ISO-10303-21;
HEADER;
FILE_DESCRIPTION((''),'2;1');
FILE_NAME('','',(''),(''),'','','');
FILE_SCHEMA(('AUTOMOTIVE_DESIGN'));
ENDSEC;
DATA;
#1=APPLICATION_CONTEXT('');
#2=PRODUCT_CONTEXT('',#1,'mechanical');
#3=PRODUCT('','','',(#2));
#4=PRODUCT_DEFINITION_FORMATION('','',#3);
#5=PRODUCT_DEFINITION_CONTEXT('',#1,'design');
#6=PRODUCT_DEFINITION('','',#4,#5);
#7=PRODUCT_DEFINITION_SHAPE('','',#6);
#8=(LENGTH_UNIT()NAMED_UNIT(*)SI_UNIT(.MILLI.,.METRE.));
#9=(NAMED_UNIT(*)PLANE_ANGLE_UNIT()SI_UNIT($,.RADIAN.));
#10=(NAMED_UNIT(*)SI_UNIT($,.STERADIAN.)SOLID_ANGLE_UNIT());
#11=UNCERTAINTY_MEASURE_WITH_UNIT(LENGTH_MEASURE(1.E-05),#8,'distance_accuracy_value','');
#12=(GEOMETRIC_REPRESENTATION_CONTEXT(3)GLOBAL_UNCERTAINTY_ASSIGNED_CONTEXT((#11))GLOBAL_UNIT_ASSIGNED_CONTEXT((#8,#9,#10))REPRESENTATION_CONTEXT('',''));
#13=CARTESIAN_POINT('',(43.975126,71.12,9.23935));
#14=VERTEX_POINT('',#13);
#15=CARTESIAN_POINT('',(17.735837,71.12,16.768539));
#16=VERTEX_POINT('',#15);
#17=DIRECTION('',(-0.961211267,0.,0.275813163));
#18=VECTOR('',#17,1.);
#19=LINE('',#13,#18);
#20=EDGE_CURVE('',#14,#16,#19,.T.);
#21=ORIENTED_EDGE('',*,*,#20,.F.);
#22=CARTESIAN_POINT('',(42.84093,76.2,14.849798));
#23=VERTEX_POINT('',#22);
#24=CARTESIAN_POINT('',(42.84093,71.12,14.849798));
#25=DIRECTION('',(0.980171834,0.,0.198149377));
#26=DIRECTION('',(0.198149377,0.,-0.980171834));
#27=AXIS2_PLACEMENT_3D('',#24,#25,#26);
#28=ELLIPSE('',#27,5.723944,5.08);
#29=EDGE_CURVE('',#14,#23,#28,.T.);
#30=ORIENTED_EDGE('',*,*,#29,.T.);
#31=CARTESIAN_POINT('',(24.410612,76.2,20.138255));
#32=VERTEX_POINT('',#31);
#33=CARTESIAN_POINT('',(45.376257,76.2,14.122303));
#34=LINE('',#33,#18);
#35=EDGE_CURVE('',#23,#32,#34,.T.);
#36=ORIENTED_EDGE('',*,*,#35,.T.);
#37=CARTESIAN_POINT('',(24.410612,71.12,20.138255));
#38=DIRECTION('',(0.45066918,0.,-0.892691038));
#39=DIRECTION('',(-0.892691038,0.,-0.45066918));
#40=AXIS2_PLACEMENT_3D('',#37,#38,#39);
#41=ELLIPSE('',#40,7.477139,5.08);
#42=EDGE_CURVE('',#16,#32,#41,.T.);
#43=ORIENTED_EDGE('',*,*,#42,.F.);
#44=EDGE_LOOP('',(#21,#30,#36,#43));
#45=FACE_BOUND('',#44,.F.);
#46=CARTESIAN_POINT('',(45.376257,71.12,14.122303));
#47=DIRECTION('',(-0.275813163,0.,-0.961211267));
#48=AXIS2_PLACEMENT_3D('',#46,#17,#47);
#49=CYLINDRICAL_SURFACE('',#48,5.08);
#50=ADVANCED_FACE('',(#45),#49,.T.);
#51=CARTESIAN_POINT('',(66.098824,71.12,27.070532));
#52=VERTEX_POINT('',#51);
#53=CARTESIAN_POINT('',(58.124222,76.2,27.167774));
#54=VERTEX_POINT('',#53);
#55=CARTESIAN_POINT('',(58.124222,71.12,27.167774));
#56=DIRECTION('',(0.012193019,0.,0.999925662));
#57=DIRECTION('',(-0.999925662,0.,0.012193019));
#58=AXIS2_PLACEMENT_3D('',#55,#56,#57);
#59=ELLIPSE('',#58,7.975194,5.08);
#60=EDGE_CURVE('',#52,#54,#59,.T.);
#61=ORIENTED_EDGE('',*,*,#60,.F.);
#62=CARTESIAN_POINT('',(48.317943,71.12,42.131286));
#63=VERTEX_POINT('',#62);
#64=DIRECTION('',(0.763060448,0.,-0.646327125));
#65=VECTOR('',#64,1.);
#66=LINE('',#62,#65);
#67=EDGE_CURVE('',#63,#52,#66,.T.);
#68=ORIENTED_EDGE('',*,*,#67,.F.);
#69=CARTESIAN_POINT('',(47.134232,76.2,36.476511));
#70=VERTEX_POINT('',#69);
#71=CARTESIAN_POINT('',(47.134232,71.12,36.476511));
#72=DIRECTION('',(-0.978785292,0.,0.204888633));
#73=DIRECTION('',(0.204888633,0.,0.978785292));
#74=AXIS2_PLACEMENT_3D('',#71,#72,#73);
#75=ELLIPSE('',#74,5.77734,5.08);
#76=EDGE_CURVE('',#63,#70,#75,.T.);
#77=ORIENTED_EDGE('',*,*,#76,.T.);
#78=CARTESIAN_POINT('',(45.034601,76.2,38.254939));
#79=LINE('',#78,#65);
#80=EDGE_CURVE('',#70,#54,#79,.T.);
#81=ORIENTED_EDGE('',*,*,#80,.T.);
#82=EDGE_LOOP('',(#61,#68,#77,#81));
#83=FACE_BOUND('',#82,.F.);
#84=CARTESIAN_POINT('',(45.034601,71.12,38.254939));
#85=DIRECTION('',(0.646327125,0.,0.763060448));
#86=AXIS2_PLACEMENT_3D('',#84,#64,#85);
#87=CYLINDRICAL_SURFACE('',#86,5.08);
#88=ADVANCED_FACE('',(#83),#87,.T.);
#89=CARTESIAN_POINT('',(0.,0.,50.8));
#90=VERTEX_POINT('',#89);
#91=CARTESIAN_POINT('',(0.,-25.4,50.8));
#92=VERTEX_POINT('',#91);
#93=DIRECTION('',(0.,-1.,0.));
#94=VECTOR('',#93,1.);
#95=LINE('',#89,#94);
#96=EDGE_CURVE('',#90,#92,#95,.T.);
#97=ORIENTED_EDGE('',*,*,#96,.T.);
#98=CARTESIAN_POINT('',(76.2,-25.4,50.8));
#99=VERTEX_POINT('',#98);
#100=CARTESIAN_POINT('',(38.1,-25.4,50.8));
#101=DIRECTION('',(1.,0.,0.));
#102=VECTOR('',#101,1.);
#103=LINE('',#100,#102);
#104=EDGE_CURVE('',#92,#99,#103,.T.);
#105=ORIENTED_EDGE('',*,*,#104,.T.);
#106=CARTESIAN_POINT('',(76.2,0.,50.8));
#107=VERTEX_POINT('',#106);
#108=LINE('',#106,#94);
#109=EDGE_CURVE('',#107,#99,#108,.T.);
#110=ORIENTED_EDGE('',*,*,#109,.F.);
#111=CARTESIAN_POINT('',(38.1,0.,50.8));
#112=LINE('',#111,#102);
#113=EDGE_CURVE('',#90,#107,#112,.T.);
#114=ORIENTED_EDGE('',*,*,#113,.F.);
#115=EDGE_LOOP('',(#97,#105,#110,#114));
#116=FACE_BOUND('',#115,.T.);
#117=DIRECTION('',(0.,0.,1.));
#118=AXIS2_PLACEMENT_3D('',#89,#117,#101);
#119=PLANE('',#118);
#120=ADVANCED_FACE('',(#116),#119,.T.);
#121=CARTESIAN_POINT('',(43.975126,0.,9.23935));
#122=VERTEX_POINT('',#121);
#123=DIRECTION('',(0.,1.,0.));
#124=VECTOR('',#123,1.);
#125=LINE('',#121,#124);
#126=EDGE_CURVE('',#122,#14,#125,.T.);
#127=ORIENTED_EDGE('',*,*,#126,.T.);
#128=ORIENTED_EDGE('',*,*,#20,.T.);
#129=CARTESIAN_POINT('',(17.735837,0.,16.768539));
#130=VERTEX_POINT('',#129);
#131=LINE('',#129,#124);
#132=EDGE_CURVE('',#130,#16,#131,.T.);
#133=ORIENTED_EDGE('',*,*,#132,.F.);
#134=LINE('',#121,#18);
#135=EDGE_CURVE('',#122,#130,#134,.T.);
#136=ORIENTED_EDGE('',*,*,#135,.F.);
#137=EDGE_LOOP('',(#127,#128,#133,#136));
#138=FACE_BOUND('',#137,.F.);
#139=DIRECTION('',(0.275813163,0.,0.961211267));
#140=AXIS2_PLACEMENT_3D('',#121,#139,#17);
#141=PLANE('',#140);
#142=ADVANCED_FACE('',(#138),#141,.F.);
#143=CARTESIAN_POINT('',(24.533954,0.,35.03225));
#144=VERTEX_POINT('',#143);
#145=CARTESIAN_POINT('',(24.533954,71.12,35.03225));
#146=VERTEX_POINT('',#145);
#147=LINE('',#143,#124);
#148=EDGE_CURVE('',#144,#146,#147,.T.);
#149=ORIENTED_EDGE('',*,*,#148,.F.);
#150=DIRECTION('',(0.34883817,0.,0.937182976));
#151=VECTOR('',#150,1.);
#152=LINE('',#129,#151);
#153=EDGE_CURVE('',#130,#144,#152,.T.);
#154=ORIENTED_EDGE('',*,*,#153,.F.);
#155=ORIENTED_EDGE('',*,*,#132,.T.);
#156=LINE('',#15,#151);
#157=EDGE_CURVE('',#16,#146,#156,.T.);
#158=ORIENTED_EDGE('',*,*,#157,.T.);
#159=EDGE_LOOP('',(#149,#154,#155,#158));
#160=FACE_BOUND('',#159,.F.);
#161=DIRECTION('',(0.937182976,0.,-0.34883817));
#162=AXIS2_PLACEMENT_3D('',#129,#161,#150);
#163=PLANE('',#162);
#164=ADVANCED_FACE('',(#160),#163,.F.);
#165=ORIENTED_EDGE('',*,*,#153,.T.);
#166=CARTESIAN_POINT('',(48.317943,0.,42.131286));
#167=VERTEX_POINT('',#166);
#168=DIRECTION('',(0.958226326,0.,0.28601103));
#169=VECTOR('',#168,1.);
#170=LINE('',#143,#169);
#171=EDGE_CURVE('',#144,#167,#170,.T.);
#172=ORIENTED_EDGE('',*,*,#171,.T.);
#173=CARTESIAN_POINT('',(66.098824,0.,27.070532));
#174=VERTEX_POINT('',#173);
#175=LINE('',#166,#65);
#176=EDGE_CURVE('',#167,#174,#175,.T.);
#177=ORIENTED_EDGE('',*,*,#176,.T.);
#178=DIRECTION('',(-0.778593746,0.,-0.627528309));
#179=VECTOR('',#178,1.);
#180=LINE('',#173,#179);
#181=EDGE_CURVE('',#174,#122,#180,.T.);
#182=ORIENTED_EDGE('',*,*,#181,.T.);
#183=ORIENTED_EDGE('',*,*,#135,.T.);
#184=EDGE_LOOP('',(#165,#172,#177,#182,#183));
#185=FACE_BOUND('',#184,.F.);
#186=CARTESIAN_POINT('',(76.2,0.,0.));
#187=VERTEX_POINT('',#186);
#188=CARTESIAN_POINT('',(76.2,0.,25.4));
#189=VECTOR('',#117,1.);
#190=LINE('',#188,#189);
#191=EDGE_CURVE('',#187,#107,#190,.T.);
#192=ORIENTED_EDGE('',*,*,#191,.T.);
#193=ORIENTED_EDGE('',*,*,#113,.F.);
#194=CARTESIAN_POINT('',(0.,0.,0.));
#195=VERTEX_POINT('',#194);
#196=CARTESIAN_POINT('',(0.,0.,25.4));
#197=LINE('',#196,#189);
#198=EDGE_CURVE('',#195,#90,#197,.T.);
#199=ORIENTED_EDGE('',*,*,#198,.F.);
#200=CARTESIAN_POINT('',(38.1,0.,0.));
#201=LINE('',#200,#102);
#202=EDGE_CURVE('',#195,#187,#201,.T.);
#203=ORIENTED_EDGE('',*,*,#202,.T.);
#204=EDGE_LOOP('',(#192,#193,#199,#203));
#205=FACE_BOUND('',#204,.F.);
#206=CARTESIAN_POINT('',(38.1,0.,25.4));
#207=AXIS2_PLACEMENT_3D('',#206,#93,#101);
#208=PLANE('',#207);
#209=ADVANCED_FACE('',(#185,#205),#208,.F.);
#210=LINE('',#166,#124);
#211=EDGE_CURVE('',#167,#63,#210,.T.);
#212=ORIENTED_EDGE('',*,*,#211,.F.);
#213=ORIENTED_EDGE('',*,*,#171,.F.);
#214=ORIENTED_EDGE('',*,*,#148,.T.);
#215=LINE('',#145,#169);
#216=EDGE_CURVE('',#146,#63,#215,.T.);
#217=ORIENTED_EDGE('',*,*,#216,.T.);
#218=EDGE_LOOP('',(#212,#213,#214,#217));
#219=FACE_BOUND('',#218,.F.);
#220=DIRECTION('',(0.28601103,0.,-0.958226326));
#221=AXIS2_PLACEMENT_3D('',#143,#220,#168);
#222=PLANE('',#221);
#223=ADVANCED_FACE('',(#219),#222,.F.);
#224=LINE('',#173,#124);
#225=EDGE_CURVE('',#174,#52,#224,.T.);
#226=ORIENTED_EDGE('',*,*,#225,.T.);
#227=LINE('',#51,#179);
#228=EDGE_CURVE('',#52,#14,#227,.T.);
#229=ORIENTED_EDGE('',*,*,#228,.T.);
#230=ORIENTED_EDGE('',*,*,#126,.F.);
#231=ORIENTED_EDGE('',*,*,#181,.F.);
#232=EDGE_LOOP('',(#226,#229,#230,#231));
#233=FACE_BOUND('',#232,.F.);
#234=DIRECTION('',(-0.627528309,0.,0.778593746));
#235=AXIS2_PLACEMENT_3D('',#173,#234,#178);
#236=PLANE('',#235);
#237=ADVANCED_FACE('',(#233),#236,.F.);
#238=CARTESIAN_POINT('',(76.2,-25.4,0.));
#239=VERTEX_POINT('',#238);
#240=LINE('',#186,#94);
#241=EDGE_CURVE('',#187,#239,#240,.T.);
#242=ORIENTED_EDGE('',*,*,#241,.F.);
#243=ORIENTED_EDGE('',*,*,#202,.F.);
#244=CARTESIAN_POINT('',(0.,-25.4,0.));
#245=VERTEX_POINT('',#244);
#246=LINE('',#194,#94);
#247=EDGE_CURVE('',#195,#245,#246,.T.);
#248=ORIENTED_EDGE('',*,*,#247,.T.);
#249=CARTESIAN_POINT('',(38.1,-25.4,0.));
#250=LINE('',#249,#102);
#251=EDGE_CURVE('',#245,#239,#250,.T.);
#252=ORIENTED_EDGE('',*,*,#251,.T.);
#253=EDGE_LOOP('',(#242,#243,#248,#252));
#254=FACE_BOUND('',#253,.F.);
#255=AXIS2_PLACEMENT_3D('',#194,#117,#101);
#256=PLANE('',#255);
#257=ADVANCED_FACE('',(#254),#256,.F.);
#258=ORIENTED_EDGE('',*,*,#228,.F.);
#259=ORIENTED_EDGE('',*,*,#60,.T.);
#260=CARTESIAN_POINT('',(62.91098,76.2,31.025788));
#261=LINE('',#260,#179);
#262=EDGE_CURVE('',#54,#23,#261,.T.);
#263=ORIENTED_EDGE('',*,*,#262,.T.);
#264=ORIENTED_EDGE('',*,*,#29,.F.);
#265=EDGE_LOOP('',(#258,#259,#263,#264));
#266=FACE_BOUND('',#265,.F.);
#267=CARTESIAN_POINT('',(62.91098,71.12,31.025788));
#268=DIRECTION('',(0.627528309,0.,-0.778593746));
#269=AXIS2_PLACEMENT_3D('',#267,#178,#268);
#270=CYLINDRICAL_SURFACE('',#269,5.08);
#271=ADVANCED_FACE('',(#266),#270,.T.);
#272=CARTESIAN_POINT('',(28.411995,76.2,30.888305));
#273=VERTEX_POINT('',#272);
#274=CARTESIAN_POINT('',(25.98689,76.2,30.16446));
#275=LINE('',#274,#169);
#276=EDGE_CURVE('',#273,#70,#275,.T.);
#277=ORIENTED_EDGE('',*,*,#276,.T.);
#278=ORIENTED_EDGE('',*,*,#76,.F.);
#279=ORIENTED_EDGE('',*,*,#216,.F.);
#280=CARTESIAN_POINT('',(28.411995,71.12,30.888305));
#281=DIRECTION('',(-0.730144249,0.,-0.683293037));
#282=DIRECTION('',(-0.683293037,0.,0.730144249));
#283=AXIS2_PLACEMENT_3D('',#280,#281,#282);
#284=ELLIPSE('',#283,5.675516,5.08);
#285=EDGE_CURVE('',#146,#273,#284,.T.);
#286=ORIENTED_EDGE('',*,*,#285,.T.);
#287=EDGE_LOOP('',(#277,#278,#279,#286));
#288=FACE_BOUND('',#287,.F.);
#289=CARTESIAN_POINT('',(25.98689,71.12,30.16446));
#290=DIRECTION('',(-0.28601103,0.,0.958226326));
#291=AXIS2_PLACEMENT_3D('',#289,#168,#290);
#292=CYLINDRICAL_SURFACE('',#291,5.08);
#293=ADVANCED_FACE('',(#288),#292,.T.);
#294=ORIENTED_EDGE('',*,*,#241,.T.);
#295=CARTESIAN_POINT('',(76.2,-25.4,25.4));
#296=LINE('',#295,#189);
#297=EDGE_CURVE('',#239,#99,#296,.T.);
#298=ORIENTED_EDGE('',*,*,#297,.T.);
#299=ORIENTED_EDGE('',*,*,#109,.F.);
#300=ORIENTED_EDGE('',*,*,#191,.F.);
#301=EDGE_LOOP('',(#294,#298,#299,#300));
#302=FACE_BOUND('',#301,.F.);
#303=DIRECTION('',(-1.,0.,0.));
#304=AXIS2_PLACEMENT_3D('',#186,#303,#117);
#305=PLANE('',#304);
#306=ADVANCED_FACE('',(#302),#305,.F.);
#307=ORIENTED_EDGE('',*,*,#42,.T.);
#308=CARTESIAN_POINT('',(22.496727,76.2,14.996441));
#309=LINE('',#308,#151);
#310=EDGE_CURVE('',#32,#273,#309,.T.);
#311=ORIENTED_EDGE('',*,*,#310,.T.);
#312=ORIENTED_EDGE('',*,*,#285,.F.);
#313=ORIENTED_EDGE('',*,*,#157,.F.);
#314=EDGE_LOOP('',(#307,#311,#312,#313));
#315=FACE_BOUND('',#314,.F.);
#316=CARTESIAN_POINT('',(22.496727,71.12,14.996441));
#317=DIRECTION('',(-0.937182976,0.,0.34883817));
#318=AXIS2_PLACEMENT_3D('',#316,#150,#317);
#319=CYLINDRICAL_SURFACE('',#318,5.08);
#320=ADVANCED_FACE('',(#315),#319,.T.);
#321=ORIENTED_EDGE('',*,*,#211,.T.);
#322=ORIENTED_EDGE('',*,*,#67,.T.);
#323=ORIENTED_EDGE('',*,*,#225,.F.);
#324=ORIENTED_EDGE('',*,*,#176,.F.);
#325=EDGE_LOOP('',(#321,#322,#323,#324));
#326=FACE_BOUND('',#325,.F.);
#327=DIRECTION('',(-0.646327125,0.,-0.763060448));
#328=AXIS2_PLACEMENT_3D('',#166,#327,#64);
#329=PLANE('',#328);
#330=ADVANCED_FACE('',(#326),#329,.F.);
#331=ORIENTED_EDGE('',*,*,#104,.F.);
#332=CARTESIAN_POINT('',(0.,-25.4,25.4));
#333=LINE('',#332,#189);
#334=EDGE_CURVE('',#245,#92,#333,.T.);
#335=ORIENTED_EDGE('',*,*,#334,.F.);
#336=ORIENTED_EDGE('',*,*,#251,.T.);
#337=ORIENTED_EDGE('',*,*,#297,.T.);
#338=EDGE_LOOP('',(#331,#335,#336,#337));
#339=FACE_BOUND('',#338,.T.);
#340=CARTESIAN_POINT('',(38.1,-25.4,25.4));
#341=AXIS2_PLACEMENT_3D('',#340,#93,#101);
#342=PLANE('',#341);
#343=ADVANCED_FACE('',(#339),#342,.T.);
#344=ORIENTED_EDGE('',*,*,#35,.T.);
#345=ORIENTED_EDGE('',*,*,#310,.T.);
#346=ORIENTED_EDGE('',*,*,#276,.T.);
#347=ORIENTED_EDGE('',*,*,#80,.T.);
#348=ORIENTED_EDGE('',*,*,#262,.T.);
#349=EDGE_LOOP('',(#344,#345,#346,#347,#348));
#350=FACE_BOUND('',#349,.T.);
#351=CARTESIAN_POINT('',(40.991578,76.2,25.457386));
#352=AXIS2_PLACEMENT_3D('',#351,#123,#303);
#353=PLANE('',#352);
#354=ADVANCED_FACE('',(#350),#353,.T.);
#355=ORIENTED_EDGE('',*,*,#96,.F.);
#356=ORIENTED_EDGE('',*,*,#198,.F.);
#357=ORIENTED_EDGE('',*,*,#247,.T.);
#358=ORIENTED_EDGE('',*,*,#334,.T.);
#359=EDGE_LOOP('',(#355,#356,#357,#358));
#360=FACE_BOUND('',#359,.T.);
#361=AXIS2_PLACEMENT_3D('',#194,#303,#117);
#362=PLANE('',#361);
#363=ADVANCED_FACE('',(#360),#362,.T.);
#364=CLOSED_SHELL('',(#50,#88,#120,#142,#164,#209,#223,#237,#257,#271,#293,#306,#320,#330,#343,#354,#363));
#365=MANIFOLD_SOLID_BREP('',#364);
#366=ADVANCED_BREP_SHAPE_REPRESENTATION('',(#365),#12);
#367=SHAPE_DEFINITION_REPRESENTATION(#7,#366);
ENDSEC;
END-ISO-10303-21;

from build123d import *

# Parameters (mm, degrees)
F0_W     = 76.2
F0_H     = 50.8
F1_DEPTH = 25.4
F3_DEPTH = 76.2
F4_R     = 5.08


with BuildPart() as f1:
    # F0 (on Front) → F1 (new body)
    with BuildSketch(Plane.XZ):
        with Locations((38.1, 25.4)):
            Rectangle(F0_W, F0_H)
    extrude(amount=F1_DEPTH)

    # F2 (on face) → F3 (join)
    with BuildSketch(Plane(origin=(0, 0, 0), x_dir=(-1, 0, 0), z_dir=(0, 1, 0))):
        Polygon((-43.975126, 9.23935), (-17.735837, 16.768539), (-24.533954, 35.03225), (-48.317943, 42.131286), (-66.098824, 27.070532), align=None)
    extrude(amount=F3_DEPTH)

    # F4
    f4_edges = [f1.edges().sort_by_distance(p)[0] for p in [
        (55.036975, 76.2, 18.154941),
        (30.855482, 76.2, 13.003944),
        (21.134895, 76.2, 25.900395),
        (36.425948, 76.2, 38.581768),
        (57.208383, 76.2, 34.600909),
    ]]
    fillet(f4_edges, radius=F4_R)


solid = f1.part
